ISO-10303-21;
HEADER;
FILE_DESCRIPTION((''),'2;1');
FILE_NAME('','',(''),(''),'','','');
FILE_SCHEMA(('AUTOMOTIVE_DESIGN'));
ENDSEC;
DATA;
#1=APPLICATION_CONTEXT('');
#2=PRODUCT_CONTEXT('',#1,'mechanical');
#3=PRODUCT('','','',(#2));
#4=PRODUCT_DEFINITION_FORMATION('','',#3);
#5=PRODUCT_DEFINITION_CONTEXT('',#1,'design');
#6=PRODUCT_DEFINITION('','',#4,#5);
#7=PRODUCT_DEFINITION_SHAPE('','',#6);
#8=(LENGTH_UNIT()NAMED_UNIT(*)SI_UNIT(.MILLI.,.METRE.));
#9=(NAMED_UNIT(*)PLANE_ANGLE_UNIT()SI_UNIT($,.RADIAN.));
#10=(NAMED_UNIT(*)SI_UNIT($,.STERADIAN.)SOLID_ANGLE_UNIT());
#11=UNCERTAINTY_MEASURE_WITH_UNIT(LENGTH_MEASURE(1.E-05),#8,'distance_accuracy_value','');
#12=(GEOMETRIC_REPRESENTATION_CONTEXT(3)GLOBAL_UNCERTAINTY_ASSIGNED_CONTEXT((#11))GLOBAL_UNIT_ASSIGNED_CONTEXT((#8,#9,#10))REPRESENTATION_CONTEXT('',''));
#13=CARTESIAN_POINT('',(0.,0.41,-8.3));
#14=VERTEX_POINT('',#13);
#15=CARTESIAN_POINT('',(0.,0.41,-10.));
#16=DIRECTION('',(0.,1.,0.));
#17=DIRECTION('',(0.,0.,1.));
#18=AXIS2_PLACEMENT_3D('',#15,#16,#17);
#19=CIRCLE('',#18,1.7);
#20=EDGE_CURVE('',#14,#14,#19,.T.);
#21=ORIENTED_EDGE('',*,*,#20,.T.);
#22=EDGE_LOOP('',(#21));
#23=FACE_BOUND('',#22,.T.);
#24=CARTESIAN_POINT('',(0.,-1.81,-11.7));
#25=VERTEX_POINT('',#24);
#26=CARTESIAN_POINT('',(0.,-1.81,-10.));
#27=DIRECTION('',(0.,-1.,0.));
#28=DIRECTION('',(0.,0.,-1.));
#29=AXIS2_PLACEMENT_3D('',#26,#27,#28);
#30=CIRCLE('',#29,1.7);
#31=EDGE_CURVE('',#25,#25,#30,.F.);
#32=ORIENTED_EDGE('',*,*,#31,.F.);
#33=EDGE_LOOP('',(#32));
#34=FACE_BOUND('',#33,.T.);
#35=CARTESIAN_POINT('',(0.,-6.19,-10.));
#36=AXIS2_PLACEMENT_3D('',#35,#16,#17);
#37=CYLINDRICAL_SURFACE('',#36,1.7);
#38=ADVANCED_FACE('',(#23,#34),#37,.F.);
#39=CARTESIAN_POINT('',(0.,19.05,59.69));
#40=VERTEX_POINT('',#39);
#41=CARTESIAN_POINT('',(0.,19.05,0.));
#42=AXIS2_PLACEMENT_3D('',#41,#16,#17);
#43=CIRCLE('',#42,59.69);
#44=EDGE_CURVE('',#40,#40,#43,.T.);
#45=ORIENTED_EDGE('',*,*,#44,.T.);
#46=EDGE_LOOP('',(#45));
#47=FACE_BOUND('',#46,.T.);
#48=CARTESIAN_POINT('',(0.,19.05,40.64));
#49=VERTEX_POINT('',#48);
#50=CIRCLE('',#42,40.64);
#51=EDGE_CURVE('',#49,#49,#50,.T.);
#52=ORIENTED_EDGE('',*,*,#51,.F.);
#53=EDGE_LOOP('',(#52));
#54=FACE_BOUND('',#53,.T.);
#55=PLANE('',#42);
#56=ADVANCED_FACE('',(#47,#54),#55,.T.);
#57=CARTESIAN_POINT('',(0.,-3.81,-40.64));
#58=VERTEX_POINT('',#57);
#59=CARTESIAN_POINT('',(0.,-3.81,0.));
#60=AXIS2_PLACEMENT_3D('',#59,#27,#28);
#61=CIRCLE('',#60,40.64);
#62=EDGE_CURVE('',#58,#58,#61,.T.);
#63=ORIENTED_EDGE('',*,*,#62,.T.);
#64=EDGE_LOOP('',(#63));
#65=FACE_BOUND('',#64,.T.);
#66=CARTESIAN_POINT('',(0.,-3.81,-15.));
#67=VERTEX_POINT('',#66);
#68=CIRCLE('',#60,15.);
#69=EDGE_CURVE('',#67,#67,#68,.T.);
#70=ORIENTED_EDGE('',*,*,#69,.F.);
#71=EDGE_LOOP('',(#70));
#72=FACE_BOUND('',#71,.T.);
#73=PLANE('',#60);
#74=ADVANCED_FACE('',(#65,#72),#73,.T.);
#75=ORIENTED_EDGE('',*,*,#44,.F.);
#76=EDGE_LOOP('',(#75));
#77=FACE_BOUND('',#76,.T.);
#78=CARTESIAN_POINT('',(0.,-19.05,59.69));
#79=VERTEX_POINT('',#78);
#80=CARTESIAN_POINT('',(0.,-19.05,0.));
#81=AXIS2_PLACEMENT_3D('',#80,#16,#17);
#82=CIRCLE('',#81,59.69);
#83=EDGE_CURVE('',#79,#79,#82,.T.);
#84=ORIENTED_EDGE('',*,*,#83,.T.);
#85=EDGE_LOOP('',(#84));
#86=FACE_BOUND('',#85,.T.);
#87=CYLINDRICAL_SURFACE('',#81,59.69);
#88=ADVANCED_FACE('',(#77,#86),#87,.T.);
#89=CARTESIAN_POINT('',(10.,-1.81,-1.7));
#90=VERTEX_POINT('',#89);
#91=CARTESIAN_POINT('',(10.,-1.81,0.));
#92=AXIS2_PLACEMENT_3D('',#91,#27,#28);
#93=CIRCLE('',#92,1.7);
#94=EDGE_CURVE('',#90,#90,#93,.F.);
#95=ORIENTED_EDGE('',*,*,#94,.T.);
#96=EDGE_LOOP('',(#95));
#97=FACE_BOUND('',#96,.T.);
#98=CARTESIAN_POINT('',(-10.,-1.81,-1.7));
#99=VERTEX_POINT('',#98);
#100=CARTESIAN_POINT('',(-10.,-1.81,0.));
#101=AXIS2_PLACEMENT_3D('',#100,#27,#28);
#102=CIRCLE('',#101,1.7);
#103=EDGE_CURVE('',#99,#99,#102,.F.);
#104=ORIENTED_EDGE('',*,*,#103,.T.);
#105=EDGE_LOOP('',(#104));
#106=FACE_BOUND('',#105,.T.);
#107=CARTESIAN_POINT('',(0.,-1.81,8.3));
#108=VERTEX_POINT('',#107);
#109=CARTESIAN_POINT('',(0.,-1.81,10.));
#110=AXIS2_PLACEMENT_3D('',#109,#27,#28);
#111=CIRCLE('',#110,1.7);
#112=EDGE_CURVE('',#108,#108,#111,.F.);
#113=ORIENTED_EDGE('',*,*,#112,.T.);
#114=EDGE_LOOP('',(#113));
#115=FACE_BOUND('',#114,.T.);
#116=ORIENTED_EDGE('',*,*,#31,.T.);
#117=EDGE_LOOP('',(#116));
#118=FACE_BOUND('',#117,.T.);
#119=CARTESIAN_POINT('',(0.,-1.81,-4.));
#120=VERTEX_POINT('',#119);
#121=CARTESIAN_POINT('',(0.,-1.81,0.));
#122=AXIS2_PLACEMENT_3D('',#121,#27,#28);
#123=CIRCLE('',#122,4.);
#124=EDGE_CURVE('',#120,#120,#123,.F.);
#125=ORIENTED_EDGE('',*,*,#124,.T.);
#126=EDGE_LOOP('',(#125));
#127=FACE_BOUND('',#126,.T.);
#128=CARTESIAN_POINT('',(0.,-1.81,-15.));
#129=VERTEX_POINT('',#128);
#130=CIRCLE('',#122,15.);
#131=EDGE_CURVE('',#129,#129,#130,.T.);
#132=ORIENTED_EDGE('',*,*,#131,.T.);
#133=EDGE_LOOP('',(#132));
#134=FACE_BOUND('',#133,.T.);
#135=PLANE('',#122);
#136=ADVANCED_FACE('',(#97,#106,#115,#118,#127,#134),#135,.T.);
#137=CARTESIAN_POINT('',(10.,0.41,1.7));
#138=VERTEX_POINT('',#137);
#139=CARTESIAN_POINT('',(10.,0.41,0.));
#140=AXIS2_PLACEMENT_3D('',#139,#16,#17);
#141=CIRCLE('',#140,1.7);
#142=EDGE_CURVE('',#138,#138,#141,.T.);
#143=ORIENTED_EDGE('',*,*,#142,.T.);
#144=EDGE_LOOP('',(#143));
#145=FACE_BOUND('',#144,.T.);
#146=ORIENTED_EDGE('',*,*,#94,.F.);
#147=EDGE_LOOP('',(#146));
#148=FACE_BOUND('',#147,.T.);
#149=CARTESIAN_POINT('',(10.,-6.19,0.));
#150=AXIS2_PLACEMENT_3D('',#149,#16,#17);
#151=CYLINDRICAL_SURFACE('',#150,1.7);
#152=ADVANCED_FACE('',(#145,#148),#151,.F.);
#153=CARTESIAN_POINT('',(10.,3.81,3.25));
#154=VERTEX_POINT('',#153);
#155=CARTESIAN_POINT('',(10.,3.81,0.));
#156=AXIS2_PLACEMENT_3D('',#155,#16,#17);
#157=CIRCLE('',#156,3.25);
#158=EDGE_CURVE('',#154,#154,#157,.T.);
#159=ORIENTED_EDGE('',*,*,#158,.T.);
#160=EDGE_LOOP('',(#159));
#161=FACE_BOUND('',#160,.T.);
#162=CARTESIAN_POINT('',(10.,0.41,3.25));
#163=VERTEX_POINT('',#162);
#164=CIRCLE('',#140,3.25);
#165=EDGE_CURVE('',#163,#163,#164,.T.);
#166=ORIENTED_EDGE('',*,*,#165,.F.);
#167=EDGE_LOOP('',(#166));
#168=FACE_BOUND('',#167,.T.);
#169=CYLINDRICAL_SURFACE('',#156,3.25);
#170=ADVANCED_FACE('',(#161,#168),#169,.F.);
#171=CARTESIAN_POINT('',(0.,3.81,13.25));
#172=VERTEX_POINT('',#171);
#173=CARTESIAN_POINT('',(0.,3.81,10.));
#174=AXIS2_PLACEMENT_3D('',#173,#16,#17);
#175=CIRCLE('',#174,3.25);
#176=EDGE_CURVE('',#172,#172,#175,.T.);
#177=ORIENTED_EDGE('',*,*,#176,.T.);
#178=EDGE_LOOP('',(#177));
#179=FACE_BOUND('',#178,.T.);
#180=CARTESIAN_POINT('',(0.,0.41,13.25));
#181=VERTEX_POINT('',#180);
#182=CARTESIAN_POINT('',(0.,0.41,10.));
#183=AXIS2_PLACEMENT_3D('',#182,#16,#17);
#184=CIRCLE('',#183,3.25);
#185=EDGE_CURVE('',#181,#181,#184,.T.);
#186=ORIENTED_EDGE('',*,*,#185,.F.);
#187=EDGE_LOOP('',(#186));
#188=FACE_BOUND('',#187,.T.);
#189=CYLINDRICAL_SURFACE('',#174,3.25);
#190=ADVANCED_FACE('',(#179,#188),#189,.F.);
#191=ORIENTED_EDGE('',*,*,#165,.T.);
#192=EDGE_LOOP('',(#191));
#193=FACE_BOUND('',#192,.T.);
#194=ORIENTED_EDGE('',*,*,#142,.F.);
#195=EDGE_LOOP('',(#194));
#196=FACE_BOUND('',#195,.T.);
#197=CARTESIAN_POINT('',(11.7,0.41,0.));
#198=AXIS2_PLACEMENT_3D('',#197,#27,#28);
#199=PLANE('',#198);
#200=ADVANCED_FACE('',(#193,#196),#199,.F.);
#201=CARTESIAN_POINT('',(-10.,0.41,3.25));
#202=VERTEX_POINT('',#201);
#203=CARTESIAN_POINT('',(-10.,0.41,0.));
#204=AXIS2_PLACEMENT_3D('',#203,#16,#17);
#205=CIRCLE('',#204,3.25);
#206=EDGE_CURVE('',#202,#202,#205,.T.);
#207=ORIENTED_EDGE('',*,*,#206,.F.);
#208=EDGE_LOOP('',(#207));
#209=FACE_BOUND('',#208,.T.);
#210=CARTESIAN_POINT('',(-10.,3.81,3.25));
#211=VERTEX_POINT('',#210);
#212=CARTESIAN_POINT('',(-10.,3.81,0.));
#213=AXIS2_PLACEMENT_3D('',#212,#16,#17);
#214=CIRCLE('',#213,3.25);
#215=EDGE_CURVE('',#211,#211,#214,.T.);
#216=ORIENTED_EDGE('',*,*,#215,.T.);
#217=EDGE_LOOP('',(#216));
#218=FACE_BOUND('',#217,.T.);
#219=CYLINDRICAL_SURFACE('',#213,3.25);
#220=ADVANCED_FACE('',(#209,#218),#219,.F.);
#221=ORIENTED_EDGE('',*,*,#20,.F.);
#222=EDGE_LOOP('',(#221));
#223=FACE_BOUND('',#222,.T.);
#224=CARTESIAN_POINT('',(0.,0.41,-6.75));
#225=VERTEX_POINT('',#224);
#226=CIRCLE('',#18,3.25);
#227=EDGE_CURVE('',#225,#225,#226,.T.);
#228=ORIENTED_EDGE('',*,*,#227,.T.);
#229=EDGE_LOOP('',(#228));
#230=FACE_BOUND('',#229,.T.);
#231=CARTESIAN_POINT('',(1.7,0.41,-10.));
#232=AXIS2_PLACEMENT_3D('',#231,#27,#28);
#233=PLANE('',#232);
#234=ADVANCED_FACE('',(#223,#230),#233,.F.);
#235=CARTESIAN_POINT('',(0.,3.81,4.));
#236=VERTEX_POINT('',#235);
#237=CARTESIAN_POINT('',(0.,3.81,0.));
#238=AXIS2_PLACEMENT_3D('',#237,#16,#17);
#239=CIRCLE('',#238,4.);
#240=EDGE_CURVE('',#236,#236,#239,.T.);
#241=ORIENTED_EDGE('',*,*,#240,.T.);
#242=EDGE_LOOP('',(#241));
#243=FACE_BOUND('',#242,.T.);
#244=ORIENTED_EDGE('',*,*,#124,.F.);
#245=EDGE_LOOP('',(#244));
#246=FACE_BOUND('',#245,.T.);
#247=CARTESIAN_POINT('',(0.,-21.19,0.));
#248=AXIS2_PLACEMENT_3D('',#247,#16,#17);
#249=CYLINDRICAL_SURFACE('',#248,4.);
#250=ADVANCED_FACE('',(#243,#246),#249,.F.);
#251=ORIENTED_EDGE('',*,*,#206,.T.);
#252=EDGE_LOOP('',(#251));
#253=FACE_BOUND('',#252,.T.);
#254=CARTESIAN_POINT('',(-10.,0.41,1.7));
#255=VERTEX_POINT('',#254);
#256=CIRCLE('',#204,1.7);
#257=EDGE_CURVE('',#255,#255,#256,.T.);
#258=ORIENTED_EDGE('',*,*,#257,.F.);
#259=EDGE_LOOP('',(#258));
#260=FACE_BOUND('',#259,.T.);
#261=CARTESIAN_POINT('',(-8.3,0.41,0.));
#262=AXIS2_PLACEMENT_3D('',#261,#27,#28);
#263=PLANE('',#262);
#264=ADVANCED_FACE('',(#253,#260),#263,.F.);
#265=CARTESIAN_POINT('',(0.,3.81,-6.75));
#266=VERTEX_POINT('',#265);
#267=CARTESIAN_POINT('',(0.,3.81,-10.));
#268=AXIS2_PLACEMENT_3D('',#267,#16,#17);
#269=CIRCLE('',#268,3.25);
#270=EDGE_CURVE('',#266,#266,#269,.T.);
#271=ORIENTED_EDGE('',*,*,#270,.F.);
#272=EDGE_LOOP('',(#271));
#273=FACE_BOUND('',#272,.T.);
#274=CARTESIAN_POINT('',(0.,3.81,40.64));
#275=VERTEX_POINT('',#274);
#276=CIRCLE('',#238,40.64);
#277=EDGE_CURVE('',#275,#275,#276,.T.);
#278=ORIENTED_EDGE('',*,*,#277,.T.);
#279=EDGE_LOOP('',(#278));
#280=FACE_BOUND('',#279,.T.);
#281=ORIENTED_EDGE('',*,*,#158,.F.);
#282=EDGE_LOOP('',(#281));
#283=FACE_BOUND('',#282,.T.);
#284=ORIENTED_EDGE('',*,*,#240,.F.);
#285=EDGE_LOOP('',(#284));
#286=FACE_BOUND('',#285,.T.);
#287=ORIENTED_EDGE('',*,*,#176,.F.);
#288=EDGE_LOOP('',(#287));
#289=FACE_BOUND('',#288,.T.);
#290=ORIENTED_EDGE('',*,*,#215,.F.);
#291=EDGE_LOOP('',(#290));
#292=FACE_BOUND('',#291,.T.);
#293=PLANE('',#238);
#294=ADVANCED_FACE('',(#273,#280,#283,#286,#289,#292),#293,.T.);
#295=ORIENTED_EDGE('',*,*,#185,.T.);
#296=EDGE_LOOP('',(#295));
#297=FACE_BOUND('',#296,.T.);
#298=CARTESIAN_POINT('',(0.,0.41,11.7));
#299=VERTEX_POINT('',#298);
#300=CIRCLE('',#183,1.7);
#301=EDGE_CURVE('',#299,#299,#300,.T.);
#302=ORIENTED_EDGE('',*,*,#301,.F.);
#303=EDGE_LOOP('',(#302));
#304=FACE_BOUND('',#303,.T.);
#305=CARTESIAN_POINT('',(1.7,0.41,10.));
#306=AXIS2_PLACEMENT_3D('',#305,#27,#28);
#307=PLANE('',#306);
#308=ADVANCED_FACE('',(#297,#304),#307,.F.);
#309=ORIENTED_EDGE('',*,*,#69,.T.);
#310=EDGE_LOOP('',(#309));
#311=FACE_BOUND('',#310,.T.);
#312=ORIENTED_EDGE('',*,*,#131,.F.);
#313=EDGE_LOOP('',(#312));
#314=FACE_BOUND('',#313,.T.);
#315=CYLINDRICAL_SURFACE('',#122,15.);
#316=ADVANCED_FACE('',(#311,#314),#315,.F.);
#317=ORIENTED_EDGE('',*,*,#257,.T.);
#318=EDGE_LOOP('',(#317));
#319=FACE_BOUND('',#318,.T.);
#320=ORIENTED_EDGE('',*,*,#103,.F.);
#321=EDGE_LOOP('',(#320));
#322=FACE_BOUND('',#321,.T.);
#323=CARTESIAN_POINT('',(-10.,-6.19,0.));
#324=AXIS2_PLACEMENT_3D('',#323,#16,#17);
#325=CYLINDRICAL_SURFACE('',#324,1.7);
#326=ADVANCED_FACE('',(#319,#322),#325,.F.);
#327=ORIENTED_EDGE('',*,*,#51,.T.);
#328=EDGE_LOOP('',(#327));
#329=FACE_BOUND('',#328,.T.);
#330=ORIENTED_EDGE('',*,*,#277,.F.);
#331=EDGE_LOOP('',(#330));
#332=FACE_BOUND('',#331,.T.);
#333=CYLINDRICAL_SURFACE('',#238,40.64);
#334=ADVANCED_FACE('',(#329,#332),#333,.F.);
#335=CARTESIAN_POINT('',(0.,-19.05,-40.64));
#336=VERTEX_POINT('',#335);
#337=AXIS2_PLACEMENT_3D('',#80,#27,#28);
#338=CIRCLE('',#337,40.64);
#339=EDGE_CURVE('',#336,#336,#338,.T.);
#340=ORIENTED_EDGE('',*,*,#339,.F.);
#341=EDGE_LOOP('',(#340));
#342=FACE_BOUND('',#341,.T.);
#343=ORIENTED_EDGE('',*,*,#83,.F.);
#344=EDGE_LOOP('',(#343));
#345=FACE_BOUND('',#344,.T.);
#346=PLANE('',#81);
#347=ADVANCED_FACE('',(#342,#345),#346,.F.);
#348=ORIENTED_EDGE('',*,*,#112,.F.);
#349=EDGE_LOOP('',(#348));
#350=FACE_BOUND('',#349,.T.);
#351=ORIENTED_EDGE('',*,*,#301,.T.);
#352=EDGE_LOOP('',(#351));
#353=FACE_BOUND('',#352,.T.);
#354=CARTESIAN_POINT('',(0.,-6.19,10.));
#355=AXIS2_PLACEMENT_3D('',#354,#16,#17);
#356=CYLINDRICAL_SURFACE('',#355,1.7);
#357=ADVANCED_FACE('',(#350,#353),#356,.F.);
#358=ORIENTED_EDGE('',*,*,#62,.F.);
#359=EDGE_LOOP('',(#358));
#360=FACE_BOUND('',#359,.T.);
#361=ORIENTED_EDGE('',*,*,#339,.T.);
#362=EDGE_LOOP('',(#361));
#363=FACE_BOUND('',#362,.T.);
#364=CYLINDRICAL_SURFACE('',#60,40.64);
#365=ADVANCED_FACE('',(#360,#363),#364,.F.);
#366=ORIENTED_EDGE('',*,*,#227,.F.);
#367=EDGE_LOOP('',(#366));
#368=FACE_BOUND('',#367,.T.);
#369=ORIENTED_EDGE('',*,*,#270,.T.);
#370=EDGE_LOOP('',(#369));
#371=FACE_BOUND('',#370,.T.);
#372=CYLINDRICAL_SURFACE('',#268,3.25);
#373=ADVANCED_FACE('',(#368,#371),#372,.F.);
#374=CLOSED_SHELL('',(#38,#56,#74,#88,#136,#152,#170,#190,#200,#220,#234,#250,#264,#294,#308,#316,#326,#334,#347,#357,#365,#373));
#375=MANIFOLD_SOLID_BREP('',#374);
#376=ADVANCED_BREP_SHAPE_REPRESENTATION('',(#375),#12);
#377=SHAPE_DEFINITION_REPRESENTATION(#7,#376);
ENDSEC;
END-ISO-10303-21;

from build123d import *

# Parameters (mm, degrees)
BOSS_EXTRUDE1_DEPTH                                 = 19.05
BOSS_EXTRUDE1_DEPTH_BACK                            = 19.05
SKETCH1_R                                           = 59.69
SKETCH2_R                                           = 40.64
CUT_EXTRUDE2_DEPTH                                  = 15.24
CUT_EXTRUDE7_START                                  = -15.24
SKETCH13_R                                          = 40.64
CUT_EXTRUDE7_DEPTH                                  = 15.24
SKETCH7_R                                           = 4
CUT_EXTRUDE6_DEPTH                                  = 25
SKETCH6_R                                           = 1.7
CUT_EXTRUDE5_DEPTH                                  = 10
CIRPATTERN2_COUNT                                   = 4
CBORE_FOR_M3_HEX_SOCKET_HEAD_CAP_SCREW1_D           = 3.4
CBORE_FOR_M3_HEX_SOCKET_HEAD_CAP_SCREW1_DEPTH       = 5
CBORE_FOR_M3_HEX_SOCKET_HEAD_CAP_SCREW1_CBORE_D     = 6.5
CBORE_FOR_M3_HEX_SOCKET_HEAD_CAP_SCREW1_CBORE_DEPTH = 3.4
CBORE_FOR_M3_HEX_SOCKET_HEAD_CAP_SCREW1_TIP         = 1.021463052
SKETCH14_R                                          = 15
CUT_EXTRUDE8_DEPTH                                  = 2


with BuildPart() as part:
    # Sketch1 → Boss-Extrude1 (new, two sides: drawn at the far end of the back side and taken through both)
    with BuildSketch(Plane(origin=(0, 0, 0), x_dir=(1, 0, 0), z_dir=(0, 1, 0)).offset(-BOSS_EXTRUDE1_DEPTH_BACK)):
        Circle(SKETCH1_R)
    extrude(amount=BOSS_EXTRUDE1_DEPTH + BOSS_EXTRUDE1_DEPTH_BACK)

    # Sketch2 → Cut-Extrude2 (cut)
    with BuildSketch(Plane.XZ.offset(19.05)):
        Circle(SKETCH2_R)
    extrude(amount=-CUT_EXTRUDE2_DEPTH, mode=Mode.SUBTRACT)

    # Sketch13 → Cut-Extrude7 (cut)
    with BuildSketch(Plane(origin=(0, 19.05, 0), x_dir=(1, 0, 0), z_dir=(0, 1, 0)).offset(CUT_EXTRUDE7_START)):
        Circle(SKETCH13_R)
    extrude(amount=CUT_EXTRUDE7_DEPTH, mode=Mode.SUBTRACT)

    # Sketch7 → Cut-Extrude6 (cut)
    with BuildSketch(Plane(origin=(0, 3.81, 0), x_dir=(1, 0, 0), z_dir=(0, 1, 0))):
        Circle(SKETCH7_R)
    cut_extrude6 = extrude(amount=-CUT_EXTRUDE6_DEPTH, mode=Mode.SUBTRACT)

    # Sketch6 → Cut-Extrude5 (cut)
    with BuildSketch(Plane(origin=(0, 3.81, 0), x_dir=(1, 0, 0), z_dir=(0, 1, 0))):
        with Locations((0, -10)):
            Circle(SKETCH6_R)
    cut_extrude5 = extrude(amount=-CUT_EXTRUDE5_DEPTH, mode=Mode.SUBTRACT)

    # CirPattern2: Cut-Extrude6, Cut-Extrude5 ×4 about axis
    cirpattern2_axis = Axis((0, 3.81, 0), (0, 1, 0))
    add([cut_extrude6.rotate(cirpattern2_axis, i * 360 / CIRPATTERN2_COUNT) for i in range(1, CIRPATTERN2_COUNT)], mode=Mode.SUBTRACT)
    add([cut_extrude5.rotate(cirpattern2_axis, i * 360 / CIRPATTERN2_COUNT) for i in range(1, CIRPATTERN2_COUNT)], mode=Mode.SUBTRACT)

    # CBORE for M3 Hex Socket Head Cap Screw1
    with Locations(Plane(origin=(0, 3.81, 0), x_dir=(1, 0, 0), z_dir=(0, 1, 0))):
        with Locations((0, -10), (10, 0), (0, 10), (-10, 0)):
            CounterBoreHole(CBORE_FOR_M3_HEX_SOCKET_HEAD_CAP_SCREW1_D / 2, CBORE_FOR_M3_HEX_SOCKET_HEAD_CAP_SCREW1_CBORE_D / 2, CBORE_FOR_M3_HEX_SOCKET_HEAD_CAP_SCREW1_CBORE_DEPTH, depth=CBORE_FOR_M3_HEX_SOCKET_HEAD_CAP_SCREW1_DEPTH)
            with Locations((0, 0, -(CBORE_FOR_M3_HEX_SOCKET_HEAD_CAP_SCREW1_DEPTH + CBORE_FOR_M3_HEX_SOCKET_HEAD_CAP_SCREW1_TIP / 2))):  # 118° drill point
                Cone(0, CBORE_FOR_M3_HEX_SOCKET_HEAD_CAP_SCREW1_D / 2, CBORE_FOR_M3_HEX_SOCKET_HEAD_CAP_SCREW1_TIP, mode=Mode.SUBTRACT)

    # Sketch14 → Cut-Extrude8 (cut)
    with BuildSketch(Plane.XZ.offset(3.81)):
        Circle(SKETCH14_R)
    extrude(amount=-CUT_EXTRUDE8_DEPTH, mode=Mode.SUBTRACT)


solid = part.part
